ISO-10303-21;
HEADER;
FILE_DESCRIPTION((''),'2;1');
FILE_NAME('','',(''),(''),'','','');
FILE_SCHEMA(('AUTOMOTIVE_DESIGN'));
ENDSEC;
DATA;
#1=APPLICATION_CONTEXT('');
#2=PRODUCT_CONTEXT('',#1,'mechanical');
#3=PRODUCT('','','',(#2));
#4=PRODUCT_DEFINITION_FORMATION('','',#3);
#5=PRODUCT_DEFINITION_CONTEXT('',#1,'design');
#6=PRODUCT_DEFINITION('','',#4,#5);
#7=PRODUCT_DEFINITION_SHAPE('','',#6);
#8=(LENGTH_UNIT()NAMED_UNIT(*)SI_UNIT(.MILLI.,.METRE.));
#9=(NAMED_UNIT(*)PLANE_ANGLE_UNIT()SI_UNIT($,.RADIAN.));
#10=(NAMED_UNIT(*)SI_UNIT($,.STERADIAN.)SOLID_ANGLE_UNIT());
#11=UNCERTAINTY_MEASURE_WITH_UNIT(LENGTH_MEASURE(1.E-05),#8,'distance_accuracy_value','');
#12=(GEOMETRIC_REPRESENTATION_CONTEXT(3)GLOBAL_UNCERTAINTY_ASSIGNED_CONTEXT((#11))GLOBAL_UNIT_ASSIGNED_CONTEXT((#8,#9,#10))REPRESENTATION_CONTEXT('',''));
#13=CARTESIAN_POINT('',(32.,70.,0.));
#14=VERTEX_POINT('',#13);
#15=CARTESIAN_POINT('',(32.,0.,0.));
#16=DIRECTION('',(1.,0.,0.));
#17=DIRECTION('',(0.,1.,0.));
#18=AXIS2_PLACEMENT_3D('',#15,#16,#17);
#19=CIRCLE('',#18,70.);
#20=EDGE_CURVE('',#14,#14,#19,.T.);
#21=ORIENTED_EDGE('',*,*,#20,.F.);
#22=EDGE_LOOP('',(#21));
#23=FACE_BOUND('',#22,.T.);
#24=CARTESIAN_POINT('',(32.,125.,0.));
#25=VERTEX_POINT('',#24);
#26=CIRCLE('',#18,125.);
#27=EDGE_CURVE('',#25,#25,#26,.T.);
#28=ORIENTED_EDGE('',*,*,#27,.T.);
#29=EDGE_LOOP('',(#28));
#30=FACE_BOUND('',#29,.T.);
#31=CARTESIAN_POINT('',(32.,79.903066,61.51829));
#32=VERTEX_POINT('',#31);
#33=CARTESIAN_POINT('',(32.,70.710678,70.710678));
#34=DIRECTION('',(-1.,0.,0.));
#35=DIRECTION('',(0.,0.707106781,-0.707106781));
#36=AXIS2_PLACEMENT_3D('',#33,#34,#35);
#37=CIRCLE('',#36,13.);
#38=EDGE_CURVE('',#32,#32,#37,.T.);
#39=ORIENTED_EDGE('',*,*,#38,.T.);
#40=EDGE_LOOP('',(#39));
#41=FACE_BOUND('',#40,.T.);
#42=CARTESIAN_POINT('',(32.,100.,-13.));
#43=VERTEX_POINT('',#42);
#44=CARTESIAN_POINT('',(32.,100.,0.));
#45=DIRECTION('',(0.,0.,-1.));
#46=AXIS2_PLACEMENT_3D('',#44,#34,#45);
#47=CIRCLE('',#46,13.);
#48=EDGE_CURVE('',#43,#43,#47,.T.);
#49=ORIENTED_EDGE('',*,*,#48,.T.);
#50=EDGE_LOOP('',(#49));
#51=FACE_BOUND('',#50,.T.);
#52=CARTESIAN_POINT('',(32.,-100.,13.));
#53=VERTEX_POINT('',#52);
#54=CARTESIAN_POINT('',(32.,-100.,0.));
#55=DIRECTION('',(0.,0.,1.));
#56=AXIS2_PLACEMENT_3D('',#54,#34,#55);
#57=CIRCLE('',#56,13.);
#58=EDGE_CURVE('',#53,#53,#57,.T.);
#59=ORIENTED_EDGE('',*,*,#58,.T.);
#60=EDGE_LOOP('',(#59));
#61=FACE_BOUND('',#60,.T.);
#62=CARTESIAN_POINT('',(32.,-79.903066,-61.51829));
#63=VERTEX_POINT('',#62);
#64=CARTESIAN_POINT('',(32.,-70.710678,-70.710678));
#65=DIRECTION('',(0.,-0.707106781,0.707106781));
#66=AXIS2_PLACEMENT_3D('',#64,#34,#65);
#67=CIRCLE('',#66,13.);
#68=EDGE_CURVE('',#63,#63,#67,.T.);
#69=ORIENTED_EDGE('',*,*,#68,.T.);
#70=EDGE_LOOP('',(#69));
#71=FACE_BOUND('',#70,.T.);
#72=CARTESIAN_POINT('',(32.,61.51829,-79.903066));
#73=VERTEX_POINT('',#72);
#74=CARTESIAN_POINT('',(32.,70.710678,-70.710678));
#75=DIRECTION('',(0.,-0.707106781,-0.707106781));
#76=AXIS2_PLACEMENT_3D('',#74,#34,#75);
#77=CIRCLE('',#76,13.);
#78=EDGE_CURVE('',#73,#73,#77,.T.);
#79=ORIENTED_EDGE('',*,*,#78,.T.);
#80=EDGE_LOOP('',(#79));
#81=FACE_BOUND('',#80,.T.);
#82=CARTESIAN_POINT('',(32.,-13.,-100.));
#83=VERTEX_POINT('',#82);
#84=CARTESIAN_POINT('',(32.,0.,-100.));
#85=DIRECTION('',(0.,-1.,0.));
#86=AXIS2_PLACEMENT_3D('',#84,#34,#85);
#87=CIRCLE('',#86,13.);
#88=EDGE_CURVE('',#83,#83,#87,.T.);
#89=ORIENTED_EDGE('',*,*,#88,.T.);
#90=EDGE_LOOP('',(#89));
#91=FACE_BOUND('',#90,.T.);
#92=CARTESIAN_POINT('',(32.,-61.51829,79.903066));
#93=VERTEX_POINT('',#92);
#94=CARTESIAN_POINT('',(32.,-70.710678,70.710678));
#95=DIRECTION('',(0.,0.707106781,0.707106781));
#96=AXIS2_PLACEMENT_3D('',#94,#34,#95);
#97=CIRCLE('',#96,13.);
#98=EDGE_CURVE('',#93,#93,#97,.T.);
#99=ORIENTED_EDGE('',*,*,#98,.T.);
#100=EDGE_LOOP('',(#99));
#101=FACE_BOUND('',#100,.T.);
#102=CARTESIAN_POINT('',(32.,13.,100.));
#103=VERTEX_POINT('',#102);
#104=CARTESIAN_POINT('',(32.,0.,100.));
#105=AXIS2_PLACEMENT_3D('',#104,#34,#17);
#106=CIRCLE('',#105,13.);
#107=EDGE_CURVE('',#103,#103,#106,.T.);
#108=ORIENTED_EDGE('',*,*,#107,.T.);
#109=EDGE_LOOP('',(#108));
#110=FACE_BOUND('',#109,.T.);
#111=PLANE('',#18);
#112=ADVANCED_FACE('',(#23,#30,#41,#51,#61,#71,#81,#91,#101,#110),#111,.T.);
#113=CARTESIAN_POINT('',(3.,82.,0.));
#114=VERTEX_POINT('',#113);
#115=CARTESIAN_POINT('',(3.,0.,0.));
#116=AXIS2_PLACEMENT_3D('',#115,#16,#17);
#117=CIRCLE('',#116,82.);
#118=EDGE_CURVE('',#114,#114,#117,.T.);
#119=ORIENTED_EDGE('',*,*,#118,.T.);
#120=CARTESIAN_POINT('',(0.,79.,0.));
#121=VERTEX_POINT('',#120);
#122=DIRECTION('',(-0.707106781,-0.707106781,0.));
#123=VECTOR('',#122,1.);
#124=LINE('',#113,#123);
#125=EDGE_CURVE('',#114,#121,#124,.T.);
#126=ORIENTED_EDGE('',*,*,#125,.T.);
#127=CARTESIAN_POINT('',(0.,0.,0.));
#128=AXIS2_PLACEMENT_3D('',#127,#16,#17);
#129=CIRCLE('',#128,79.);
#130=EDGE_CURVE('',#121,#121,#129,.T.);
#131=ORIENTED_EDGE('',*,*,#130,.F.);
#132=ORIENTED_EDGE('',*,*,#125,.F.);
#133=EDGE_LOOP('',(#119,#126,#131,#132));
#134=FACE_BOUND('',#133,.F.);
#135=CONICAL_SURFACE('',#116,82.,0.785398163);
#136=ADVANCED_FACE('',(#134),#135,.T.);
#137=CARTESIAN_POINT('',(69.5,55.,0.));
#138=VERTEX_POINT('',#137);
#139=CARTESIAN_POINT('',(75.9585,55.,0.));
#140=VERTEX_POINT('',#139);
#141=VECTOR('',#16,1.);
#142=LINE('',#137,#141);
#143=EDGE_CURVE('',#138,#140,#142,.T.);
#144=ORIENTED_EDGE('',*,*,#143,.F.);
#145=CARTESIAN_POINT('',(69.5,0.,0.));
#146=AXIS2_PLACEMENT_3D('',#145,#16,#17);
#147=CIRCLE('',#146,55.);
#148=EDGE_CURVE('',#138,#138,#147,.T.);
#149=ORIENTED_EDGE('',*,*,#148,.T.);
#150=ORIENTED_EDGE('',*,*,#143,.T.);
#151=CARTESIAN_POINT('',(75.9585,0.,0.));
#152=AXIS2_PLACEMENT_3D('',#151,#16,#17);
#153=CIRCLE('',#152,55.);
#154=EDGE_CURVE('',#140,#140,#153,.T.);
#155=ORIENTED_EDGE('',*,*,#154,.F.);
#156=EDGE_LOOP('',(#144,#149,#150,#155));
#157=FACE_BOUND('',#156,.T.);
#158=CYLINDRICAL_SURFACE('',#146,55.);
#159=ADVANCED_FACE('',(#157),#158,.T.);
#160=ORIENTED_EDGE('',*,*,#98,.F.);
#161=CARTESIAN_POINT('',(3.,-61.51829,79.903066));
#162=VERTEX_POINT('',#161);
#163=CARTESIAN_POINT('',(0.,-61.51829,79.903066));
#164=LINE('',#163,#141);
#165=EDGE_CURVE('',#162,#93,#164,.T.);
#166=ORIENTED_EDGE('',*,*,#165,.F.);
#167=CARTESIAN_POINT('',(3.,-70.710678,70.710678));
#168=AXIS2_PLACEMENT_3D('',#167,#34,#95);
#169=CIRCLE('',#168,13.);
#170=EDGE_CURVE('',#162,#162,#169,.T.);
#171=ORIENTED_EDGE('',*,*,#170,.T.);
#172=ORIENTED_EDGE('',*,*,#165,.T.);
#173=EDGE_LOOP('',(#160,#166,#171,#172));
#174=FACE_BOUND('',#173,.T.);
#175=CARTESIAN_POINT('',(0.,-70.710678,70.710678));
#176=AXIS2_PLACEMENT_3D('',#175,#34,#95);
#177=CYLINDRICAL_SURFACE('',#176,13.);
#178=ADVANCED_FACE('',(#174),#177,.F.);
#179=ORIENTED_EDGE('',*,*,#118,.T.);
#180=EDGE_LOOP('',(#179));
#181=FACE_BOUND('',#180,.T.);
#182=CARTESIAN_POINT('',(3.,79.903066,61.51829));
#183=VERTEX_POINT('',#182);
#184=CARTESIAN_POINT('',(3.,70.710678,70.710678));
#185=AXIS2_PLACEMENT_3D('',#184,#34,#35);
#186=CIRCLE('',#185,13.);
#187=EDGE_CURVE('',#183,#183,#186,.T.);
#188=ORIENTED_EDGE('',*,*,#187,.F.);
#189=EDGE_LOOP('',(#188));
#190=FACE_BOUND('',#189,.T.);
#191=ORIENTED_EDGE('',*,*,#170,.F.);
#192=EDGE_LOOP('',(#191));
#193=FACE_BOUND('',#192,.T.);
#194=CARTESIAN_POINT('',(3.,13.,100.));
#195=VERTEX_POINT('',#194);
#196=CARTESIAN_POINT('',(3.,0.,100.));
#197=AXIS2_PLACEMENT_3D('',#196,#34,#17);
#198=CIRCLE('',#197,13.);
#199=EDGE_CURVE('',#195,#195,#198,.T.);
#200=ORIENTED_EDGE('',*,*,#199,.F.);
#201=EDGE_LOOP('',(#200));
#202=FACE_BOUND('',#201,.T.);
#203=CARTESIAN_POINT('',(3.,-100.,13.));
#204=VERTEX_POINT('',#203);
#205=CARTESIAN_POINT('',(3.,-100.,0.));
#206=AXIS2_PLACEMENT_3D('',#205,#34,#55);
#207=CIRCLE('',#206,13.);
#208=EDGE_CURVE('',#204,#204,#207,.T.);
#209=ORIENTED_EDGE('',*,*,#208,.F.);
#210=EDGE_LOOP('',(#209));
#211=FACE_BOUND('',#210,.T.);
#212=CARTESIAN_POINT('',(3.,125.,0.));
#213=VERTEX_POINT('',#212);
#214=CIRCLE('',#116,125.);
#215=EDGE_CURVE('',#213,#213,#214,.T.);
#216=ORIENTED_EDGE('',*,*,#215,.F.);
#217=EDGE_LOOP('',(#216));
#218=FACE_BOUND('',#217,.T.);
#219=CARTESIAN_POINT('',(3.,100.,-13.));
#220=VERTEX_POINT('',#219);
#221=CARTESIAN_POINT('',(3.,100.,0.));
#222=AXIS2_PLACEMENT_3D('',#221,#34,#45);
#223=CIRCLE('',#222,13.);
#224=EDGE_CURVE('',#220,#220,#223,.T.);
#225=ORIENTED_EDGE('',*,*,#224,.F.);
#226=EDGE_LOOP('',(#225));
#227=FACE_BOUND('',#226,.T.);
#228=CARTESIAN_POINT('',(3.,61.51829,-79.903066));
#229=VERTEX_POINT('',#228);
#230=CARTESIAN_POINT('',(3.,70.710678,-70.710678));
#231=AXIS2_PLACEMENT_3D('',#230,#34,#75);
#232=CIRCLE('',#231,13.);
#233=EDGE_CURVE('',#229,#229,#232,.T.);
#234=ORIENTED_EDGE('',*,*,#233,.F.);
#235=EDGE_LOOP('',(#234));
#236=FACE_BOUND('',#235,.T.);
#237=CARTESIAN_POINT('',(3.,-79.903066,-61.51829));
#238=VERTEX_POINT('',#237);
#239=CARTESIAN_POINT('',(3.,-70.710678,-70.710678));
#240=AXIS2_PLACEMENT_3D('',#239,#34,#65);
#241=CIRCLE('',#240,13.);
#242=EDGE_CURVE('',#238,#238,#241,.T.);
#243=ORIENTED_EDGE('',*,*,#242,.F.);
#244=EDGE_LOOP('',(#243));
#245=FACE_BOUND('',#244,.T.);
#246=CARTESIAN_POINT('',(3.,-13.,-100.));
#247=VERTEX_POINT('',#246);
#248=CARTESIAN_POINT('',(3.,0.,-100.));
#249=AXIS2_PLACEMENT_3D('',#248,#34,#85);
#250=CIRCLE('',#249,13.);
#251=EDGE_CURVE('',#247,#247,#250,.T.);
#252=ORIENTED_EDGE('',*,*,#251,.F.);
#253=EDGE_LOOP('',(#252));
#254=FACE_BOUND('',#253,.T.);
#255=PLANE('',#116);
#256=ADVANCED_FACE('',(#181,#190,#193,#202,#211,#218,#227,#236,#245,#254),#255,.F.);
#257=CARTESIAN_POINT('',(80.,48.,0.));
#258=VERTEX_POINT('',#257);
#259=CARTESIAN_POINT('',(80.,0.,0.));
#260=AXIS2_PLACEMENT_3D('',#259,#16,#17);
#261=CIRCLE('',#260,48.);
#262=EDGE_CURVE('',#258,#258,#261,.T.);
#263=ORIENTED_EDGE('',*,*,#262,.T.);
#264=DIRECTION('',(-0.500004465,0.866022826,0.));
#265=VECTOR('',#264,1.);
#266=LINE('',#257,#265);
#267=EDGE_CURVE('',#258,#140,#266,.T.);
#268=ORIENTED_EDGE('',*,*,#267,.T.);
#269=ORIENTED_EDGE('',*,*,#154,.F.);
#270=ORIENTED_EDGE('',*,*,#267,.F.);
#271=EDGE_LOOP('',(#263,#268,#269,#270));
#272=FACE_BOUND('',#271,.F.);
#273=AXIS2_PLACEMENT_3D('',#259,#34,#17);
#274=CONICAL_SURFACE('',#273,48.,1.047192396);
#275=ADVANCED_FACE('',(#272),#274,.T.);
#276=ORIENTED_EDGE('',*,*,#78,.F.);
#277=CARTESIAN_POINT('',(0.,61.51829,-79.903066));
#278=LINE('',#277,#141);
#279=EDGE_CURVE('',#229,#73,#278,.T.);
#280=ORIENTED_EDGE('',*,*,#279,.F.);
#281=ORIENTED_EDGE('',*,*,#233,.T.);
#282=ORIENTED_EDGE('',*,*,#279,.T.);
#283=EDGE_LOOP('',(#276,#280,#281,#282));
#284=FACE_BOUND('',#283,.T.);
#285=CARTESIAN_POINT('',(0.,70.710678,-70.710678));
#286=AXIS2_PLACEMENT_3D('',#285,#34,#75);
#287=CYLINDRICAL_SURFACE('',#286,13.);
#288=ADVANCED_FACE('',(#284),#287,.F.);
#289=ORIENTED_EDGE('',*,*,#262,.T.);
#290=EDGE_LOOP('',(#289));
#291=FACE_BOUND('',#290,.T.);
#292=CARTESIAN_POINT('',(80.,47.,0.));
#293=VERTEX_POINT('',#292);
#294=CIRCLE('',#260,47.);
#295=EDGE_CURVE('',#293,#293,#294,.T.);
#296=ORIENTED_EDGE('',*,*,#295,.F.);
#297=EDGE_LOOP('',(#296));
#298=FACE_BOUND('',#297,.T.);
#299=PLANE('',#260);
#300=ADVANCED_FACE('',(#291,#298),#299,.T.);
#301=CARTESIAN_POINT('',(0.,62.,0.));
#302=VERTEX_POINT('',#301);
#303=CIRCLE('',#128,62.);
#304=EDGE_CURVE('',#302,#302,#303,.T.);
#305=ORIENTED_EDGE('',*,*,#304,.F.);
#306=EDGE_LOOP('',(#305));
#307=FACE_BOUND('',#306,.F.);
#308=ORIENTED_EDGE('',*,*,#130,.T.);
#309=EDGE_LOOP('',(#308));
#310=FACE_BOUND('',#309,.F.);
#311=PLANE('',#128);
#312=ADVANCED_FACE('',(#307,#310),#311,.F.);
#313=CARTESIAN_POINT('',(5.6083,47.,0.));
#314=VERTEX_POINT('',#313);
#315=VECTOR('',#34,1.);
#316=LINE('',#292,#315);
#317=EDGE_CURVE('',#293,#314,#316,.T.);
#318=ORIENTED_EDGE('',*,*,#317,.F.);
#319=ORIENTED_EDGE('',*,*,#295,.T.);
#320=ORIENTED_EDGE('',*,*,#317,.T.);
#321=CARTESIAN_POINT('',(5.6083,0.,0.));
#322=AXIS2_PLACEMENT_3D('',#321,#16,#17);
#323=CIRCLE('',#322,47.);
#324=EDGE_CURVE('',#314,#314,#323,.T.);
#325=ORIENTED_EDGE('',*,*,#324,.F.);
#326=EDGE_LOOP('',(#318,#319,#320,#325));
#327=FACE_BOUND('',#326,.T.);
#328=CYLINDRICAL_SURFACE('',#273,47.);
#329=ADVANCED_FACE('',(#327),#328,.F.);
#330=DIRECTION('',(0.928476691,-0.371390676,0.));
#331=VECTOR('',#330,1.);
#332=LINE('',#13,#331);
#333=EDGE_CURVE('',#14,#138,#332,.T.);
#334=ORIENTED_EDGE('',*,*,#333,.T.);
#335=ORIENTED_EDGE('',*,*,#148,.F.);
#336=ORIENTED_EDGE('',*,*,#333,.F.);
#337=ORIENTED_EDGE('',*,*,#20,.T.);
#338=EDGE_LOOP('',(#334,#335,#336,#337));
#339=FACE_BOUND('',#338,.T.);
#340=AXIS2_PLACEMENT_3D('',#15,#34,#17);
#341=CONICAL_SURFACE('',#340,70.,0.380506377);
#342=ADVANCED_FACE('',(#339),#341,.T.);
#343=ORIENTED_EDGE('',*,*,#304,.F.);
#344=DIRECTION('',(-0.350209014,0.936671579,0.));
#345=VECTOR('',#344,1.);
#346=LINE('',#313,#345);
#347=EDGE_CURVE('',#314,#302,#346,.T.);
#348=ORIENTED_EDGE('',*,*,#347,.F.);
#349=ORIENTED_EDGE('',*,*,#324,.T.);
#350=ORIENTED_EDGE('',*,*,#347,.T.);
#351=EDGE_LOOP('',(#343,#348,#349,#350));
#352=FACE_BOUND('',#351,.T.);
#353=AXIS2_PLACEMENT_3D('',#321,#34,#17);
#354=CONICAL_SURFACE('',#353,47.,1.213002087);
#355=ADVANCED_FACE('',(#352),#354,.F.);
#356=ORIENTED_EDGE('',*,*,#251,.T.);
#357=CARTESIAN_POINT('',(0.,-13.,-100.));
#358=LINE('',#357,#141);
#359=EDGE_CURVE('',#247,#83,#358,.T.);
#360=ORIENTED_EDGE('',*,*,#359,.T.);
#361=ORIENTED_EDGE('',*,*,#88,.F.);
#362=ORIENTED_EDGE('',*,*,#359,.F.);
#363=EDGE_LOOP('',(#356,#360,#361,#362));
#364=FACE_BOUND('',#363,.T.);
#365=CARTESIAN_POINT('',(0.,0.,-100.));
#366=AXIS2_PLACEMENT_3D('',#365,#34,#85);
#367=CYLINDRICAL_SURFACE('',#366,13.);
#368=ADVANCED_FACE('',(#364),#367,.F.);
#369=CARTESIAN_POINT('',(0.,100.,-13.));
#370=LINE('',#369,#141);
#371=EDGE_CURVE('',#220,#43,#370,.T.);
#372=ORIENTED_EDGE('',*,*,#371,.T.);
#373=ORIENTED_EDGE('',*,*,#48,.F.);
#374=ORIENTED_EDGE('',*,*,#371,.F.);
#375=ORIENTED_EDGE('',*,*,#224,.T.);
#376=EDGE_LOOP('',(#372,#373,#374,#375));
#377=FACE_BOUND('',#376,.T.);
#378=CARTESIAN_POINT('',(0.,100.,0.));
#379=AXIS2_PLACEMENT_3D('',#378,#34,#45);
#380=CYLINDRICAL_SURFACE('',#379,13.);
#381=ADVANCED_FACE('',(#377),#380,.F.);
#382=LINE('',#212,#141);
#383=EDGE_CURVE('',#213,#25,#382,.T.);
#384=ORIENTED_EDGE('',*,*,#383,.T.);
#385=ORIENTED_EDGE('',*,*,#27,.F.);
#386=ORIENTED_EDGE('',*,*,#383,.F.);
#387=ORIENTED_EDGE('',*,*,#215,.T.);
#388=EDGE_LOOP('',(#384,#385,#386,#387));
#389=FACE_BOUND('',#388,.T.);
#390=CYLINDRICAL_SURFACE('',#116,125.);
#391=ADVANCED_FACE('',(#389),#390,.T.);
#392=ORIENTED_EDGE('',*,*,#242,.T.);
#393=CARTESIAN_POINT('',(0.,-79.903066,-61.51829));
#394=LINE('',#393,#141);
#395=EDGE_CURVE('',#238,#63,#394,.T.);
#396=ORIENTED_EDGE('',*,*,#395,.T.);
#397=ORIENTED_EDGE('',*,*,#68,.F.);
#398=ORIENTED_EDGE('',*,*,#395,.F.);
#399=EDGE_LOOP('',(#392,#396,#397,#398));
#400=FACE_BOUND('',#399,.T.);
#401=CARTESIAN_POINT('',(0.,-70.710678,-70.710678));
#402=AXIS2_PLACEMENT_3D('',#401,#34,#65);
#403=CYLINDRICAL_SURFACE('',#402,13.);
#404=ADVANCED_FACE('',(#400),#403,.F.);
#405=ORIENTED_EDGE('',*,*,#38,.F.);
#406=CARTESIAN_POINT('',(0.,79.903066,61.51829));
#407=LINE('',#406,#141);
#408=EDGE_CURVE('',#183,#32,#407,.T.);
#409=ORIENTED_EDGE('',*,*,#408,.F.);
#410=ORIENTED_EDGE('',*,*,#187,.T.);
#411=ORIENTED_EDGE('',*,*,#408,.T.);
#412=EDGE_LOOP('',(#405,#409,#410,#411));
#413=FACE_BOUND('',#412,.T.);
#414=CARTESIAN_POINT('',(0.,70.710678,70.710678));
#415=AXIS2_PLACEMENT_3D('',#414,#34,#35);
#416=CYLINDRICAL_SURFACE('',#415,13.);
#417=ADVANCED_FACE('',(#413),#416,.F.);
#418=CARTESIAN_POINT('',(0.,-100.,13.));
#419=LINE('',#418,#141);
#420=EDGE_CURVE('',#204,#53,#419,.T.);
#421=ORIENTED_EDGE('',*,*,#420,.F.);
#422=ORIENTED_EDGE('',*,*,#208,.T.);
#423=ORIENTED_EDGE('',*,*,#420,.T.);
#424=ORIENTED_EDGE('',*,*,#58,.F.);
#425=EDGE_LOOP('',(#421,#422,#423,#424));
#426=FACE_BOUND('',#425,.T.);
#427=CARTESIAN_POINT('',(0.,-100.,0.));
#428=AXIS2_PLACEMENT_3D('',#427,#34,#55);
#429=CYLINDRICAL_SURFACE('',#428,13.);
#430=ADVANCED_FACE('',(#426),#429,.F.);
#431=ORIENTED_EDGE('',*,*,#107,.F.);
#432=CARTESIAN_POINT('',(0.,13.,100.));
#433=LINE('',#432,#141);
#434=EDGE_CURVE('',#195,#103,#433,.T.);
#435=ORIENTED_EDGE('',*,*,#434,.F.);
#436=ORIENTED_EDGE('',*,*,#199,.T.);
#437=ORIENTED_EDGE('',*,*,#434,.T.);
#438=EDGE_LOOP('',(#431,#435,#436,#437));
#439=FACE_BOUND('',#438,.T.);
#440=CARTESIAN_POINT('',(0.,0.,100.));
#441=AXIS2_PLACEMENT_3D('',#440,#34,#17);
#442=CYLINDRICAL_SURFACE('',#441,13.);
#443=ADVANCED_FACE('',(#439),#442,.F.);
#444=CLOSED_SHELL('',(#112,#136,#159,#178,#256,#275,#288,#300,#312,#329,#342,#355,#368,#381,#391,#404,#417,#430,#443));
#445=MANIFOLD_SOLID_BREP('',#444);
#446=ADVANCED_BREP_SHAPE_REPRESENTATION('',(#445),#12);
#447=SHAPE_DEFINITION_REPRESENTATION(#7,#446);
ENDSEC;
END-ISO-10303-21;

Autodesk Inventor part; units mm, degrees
ref_plane "YZ Plane" through (0, 0, 0) normal (1, 0, 0) x (0, 1, 0)
ref_plane "XZ Plane" through (0, 0, 0) normal (0, 1, 0) x (-1, 0, 0)
ref_plane "XY Plane" through (0, 0, 0) normal (0, 0, 1) x (1, 0, 0)
sketch "Sketch1" plane through (0, 0, 0) normal (0, 0, 1) x (1, 0, 0)
  line L0 (3, 125) -> (32, 125)
  line L1 (32, 125) -> (32, 70)
  line L2 (3, 82) -> (3, 125)
  line L3 (-16, 0) -> (96, 0) projected
  line L4 (32, 70) -> (69.5, 55)
  line L5 (69.5, 55) -> (75.9585, 55)
  line L6 (80, 48) -> (80, 47)
  line L7 (80, 47) -> (5.6083, 47)
  line L8 (3, 82) -> (0, 79)
  line L9 (0, 79) -> (0, 62)
  line L10 (80, 48) -> (75.9585, 55)
  line L11 (5.6083, 47) -> (0, 62)
  point P0 (0, 0)
  point P1 (80, 55)
  dimension "d0" = 29
  dimension "d1" = 250
  dimension "d7" = 94
  dimension "d8" = 158
  dimension "d9" = 140
  dimension "d10" = 135
  dimension "d11" = 3
  dimension "d19" = 15
  dimension "d12" = 37.5
  dimension "d13" = 110
  dimension "d14" = 77
  dimension "d15" = 30
  dimension "d16" = 1
  dimension "d17" = 20.5
  dimension "d18" = 124
revolve "Revolution1" add sketch "Sketch1" angle 360 about axis through (-10, 0, 0) along (1, 0, 0)
sketch "Sketch2" plane through (0, 0, 0) normal (1, 0, 0) x (0, 1, 0)
  circle A0 centre (0, 100) radius 13
  line L0 (0, 44.8) -> (0, 25.2) construction
  line L1 (-9.8, 0) -> (9.8, 0) construction
  dimension "d2" = 26
  dimension "d3" = 200
extrude "Extrusion1" cut sketch "Sketch2" along normal through all both and the other way through all
pattern_circular "Circular Pattern1" count 8 over 360 about axis through (-10, 0, 0) along (1, 0, 0) of "Extrusion1"
equation "\"d2\" = d"
equation "\"d3\" = D1_"
equation "\"d0\" = b"
equation "\"d1\" = D_"
equation "\"d7\" = d1__"
equation "\"d8\" = D2_"
equation "\"d9\" = Dm"
equation "\"d11\" = h_"
equation "\"d12\" = 2.5 * d19"
equation "\"d13\" = Dn"
equation "\"d14\" = h4_"
equation "\"d18\" = D7_"
equation "\"b\" = 29"
equation "\"Dm\" = 140"
equation "\"D_\" = 250"
equation "\"D1_\" = 200"
equation "\"D2_\" = 158"
equation "\"d\" = 26"
equation "\"h_\" = 3"
equation "\"d1__\" = 94"
equation "\"h4_\" = 77"
equation "\"Dn\" = 110"
equation "\"D7_\" = 124"
properties part number "Flange 6-100-63 GOST 12821-80" material "Steel, Mild"
